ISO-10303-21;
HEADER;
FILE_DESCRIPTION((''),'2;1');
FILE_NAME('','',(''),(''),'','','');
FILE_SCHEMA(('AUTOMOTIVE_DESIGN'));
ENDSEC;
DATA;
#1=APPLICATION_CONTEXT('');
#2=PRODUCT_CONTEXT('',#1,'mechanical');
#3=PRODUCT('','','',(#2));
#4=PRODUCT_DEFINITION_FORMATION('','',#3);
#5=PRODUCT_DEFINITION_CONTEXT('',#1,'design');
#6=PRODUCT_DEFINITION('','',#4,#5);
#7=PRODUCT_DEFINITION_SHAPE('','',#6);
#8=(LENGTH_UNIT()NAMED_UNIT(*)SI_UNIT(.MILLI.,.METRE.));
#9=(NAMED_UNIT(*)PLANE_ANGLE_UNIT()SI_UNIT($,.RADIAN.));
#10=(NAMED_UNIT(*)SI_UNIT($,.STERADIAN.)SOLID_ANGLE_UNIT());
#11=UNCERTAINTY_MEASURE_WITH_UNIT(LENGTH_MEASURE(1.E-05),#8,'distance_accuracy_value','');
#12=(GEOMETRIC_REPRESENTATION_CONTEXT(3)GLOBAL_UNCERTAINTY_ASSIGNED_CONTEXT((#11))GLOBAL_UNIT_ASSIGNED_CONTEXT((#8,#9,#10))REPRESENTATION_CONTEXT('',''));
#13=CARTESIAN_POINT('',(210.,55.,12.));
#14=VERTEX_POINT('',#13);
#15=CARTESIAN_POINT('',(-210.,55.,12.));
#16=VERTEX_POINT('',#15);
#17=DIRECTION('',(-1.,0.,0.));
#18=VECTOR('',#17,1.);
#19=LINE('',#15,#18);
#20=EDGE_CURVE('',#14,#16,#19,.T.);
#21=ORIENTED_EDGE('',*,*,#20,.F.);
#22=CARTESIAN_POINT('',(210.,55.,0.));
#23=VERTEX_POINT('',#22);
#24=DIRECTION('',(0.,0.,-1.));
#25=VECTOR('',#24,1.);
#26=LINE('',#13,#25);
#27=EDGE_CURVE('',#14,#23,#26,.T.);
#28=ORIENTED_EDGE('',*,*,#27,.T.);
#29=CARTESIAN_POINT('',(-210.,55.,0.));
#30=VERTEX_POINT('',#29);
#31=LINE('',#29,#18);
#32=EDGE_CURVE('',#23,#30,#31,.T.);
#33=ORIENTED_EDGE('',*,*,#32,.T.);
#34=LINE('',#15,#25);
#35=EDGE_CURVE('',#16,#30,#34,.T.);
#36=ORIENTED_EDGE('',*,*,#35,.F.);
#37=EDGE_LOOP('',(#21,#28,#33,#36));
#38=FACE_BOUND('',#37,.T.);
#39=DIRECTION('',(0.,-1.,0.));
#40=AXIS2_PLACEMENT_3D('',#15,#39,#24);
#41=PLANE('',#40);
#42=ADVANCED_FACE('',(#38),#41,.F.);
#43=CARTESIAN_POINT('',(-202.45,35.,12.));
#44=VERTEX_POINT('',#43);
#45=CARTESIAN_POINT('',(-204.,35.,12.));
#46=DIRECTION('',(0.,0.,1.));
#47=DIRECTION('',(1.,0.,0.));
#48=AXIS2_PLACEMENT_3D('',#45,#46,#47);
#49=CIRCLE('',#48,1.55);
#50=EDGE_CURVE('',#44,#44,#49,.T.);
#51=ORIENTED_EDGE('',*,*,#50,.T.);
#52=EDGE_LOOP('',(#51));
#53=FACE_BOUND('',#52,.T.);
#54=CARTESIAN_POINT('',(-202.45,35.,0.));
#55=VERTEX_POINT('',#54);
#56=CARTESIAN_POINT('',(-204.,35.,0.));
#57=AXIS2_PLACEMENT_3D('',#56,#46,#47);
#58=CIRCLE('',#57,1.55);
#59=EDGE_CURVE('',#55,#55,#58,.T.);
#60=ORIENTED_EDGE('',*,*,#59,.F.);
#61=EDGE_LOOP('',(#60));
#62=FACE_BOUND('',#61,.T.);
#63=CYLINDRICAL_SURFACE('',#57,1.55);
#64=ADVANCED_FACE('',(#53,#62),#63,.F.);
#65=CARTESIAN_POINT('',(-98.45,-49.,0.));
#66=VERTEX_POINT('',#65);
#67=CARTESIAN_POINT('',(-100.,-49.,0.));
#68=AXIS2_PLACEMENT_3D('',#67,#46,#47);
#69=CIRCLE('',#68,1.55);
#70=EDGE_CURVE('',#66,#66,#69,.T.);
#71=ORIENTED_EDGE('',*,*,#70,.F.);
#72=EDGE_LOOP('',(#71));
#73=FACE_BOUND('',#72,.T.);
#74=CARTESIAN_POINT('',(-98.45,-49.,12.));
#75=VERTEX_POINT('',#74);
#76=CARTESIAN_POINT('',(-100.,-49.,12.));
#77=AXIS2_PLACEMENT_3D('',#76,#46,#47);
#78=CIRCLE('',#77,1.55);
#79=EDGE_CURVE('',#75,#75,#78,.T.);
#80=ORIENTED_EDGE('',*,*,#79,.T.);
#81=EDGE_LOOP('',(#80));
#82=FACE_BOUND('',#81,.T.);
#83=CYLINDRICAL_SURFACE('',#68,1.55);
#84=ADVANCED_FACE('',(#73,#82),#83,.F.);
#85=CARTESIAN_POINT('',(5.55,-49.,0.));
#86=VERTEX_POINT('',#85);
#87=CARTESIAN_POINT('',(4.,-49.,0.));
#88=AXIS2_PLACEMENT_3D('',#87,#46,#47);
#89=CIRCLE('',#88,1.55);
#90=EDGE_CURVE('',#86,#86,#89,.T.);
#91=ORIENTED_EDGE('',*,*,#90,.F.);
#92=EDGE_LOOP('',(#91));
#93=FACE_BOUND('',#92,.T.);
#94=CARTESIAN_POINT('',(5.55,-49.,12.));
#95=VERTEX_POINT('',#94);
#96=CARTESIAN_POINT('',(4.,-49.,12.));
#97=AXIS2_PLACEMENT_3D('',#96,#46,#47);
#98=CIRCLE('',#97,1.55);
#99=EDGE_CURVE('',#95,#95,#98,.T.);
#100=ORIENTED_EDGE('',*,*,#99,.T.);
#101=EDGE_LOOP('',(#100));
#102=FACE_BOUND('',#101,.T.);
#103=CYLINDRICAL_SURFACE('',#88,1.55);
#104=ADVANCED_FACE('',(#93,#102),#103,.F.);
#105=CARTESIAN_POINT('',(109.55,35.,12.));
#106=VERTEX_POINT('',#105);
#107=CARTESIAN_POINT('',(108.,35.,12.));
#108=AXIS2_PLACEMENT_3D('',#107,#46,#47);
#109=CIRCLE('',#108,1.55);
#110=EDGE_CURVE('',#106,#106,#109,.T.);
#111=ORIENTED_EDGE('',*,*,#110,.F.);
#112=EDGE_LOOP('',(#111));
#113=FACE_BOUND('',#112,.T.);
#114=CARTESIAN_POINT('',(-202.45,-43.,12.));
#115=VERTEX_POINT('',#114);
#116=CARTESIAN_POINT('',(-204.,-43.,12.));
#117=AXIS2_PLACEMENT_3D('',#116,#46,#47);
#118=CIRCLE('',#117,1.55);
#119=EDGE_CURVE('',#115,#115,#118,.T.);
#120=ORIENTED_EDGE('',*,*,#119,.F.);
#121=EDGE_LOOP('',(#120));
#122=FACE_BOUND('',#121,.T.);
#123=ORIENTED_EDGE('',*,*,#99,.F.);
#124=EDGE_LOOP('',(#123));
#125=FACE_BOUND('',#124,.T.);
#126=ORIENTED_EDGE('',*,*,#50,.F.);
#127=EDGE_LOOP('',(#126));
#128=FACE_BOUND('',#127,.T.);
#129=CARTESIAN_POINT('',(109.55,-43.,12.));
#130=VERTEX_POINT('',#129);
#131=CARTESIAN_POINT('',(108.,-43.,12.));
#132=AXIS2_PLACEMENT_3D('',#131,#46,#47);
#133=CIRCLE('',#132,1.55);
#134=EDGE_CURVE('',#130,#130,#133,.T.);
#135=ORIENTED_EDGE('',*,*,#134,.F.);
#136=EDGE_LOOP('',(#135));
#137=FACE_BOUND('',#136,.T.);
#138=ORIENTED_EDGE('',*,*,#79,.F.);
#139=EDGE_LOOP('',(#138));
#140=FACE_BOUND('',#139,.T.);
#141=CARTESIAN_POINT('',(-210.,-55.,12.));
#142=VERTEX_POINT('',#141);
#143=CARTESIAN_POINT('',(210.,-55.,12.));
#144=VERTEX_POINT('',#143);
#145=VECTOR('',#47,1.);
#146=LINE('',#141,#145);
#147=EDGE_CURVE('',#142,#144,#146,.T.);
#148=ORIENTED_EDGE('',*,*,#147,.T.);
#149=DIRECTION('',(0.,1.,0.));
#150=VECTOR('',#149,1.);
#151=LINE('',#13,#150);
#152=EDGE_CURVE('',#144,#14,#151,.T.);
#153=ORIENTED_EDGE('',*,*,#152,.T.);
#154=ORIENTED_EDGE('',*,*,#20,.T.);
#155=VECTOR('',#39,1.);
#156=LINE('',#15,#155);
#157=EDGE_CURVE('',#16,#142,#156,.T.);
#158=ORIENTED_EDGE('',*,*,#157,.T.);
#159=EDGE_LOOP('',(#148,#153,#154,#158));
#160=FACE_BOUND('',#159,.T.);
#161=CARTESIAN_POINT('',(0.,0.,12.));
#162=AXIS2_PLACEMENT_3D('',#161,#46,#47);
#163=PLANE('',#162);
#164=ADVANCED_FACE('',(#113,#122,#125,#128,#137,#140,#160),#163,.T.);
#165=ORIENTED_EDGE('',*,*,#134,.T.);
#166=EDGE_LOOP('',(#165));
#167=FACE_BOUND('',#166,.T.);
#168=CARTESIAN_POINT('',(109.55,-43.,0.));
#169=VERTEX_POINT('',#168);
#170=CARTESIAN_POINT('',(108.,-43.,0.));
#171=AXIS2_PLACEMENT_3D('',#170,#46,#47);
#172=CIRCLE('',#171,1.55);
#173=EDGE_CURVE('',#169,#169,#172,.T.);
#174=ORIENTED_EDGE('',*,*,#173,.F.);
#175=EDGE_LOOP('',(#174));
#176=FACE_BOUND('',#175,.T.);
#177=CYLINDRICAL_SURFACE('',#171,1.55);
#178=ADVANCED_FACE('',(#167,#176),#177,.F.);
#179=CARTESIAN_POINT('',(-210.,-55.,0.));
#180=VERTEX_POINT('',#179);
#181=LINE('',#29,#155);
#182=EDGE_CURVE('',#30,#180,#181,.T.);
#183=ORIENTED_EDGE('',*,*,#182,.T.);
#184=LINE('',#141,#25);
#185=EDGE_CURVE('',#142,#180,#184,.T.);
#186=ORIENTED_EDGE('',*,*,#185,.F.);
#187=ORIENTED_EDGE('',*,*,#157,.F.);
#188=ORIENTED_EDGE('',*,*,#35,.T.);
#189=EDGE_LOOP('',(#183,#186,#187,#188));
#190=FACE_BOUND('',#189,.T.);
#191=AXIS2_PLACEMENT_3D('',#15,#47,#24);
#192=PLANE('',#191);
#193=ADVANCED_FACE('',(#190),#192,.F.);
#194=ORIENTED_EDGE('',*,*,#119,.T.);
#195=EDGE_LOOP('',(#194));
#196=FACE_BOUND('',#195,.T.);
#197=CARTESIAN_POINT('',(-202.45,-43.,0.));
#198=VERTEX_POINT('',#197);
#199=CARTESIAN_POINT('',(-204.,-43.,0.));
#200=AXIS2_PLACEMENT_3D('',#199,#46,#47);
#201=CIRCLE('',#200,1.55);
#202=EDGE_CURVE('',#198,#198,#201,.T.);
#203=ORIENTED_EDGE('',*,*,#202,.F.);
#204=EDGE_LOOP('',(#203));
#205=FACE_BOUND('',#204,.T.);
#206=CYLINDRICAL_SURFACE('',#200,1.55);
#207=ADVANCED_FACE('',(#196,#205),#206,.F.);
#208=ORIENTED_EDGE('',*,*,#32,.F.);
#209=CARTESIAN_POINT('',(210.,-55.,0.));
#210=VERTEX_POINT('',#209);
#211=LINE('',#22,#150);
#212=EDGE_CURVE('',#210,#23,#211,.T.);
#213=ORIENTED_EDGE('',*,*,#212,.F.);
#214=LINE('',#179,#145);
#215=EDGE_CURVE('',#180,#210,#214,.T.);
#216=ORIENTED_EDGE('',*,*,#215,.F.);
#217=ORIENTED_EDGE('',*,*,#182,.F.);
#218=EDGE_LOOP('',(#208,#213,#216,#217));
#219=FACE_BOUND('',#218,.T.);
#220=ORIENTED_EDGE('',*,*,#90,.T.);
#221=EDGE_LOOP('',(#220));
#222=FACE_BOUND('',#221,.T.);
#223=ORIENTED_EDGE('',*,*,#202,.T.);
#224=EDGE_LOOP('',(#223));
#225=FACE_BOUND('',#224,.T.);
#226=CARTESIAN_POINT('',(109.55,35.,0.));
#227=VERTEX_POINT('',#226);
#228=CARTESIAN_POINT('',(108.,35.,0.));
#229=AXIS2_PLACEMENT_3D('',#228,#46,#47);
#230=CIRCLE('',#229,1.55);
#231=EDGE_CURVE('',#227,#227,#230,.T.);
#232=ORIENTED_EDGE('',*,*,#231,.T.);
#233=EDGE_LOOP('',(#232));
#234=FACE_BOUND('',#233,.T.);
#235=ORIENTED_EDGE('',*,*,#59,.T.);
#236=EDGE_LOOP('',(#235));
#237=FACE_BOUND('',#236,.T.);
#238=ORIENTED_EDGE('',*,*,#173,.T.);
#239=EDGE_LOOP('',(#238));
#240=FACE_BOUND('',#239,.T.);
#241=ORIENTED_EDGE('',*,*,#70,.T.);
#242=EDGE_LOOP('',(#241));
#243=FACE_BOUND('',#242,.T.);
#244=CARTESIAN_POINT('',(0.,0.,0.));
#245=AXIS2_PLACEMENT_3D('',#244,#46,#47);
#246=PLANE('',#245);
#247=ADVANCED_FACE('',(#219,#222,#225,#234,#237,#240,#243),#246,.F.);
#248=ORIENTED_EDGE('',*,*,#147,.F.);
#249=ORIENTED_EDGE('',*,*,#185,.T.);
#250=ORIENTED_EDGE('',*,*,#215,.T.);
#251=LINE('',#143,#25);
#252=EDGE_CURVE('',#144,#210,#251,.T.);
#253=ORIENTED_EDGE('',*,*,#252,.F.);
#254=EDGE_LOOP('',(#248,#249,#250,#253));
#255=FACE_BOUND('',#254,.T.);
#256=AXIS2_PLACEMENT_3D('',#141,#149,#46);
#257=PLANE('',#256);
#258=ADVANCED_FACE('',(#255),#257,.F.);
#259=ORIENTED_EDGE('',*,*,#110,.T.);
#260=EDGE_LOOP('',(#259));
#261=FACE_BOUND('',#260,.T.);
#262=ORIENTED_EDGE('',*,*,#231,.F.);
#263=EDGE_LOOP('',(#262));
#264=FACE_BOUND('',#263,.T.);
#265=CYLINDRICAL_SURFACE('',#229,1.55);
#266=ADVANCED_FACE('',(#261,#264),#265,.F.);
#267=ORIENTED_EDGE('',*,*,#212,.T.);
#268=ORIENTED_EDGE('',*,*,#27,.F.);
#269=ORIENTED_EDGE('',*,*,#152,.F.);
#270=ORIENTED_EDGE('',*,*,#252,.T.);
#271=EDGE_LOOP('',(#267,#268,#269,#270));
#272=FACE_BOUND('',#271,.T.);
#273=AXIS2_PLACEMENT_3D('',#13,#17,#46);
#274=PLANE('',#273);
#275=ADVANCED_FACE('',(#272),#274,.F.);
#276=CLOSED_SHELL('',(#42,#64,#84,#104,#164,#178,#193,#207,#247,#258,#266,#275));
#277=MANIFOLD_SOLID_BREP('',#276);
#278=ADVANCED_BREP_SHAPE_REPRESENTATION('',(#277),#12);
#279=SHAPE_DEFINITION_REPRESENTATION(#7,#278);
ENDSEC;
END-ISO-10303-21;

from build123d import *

# Parameters (mm, degrees)
SKETCH1_W           = 420
SKETCH1_H           = 110
BOSS_EXTRUDE1_DEPTH = 12
SKETCH2_R           = 1.55
CUT_EXTRUDE2_DEPTH  = 13


with BuildPart() as part:
    # Sketch1 → Boss-Extrude1 (new body)
    with BuildSketch(Plane.XY):
        Rectangle(SKETCH1_W, SKETCH1_H)
    extrude(amount=BOSS_EXTRUDE1_DEPTH)

    # Sketch2 → Cut-Extrude2 (cut, through all)
    with BuildSketch(Plane.XY.offset(12)):
        with Locations((-204, 35)):
            Circle(SKETCH2_R)
        with Locations((-204, -43)):
            Circle(SKETCH2_R)
        with Locations((-100, -49)):
            Circle(SKETCH2_R)
        with Locations((4, -49)):
            Circle(SKETCH2_R)
        with Locations((108, -43)):
            Circle(SKETCH2_R)
        with Locations((108, 35)):
            Circle(SKETCH2_R)
    extrude(amount=-CUT_EXTRUDE2_DEPTH, mode=Mode.SUBTRACT)


solid = part.part
